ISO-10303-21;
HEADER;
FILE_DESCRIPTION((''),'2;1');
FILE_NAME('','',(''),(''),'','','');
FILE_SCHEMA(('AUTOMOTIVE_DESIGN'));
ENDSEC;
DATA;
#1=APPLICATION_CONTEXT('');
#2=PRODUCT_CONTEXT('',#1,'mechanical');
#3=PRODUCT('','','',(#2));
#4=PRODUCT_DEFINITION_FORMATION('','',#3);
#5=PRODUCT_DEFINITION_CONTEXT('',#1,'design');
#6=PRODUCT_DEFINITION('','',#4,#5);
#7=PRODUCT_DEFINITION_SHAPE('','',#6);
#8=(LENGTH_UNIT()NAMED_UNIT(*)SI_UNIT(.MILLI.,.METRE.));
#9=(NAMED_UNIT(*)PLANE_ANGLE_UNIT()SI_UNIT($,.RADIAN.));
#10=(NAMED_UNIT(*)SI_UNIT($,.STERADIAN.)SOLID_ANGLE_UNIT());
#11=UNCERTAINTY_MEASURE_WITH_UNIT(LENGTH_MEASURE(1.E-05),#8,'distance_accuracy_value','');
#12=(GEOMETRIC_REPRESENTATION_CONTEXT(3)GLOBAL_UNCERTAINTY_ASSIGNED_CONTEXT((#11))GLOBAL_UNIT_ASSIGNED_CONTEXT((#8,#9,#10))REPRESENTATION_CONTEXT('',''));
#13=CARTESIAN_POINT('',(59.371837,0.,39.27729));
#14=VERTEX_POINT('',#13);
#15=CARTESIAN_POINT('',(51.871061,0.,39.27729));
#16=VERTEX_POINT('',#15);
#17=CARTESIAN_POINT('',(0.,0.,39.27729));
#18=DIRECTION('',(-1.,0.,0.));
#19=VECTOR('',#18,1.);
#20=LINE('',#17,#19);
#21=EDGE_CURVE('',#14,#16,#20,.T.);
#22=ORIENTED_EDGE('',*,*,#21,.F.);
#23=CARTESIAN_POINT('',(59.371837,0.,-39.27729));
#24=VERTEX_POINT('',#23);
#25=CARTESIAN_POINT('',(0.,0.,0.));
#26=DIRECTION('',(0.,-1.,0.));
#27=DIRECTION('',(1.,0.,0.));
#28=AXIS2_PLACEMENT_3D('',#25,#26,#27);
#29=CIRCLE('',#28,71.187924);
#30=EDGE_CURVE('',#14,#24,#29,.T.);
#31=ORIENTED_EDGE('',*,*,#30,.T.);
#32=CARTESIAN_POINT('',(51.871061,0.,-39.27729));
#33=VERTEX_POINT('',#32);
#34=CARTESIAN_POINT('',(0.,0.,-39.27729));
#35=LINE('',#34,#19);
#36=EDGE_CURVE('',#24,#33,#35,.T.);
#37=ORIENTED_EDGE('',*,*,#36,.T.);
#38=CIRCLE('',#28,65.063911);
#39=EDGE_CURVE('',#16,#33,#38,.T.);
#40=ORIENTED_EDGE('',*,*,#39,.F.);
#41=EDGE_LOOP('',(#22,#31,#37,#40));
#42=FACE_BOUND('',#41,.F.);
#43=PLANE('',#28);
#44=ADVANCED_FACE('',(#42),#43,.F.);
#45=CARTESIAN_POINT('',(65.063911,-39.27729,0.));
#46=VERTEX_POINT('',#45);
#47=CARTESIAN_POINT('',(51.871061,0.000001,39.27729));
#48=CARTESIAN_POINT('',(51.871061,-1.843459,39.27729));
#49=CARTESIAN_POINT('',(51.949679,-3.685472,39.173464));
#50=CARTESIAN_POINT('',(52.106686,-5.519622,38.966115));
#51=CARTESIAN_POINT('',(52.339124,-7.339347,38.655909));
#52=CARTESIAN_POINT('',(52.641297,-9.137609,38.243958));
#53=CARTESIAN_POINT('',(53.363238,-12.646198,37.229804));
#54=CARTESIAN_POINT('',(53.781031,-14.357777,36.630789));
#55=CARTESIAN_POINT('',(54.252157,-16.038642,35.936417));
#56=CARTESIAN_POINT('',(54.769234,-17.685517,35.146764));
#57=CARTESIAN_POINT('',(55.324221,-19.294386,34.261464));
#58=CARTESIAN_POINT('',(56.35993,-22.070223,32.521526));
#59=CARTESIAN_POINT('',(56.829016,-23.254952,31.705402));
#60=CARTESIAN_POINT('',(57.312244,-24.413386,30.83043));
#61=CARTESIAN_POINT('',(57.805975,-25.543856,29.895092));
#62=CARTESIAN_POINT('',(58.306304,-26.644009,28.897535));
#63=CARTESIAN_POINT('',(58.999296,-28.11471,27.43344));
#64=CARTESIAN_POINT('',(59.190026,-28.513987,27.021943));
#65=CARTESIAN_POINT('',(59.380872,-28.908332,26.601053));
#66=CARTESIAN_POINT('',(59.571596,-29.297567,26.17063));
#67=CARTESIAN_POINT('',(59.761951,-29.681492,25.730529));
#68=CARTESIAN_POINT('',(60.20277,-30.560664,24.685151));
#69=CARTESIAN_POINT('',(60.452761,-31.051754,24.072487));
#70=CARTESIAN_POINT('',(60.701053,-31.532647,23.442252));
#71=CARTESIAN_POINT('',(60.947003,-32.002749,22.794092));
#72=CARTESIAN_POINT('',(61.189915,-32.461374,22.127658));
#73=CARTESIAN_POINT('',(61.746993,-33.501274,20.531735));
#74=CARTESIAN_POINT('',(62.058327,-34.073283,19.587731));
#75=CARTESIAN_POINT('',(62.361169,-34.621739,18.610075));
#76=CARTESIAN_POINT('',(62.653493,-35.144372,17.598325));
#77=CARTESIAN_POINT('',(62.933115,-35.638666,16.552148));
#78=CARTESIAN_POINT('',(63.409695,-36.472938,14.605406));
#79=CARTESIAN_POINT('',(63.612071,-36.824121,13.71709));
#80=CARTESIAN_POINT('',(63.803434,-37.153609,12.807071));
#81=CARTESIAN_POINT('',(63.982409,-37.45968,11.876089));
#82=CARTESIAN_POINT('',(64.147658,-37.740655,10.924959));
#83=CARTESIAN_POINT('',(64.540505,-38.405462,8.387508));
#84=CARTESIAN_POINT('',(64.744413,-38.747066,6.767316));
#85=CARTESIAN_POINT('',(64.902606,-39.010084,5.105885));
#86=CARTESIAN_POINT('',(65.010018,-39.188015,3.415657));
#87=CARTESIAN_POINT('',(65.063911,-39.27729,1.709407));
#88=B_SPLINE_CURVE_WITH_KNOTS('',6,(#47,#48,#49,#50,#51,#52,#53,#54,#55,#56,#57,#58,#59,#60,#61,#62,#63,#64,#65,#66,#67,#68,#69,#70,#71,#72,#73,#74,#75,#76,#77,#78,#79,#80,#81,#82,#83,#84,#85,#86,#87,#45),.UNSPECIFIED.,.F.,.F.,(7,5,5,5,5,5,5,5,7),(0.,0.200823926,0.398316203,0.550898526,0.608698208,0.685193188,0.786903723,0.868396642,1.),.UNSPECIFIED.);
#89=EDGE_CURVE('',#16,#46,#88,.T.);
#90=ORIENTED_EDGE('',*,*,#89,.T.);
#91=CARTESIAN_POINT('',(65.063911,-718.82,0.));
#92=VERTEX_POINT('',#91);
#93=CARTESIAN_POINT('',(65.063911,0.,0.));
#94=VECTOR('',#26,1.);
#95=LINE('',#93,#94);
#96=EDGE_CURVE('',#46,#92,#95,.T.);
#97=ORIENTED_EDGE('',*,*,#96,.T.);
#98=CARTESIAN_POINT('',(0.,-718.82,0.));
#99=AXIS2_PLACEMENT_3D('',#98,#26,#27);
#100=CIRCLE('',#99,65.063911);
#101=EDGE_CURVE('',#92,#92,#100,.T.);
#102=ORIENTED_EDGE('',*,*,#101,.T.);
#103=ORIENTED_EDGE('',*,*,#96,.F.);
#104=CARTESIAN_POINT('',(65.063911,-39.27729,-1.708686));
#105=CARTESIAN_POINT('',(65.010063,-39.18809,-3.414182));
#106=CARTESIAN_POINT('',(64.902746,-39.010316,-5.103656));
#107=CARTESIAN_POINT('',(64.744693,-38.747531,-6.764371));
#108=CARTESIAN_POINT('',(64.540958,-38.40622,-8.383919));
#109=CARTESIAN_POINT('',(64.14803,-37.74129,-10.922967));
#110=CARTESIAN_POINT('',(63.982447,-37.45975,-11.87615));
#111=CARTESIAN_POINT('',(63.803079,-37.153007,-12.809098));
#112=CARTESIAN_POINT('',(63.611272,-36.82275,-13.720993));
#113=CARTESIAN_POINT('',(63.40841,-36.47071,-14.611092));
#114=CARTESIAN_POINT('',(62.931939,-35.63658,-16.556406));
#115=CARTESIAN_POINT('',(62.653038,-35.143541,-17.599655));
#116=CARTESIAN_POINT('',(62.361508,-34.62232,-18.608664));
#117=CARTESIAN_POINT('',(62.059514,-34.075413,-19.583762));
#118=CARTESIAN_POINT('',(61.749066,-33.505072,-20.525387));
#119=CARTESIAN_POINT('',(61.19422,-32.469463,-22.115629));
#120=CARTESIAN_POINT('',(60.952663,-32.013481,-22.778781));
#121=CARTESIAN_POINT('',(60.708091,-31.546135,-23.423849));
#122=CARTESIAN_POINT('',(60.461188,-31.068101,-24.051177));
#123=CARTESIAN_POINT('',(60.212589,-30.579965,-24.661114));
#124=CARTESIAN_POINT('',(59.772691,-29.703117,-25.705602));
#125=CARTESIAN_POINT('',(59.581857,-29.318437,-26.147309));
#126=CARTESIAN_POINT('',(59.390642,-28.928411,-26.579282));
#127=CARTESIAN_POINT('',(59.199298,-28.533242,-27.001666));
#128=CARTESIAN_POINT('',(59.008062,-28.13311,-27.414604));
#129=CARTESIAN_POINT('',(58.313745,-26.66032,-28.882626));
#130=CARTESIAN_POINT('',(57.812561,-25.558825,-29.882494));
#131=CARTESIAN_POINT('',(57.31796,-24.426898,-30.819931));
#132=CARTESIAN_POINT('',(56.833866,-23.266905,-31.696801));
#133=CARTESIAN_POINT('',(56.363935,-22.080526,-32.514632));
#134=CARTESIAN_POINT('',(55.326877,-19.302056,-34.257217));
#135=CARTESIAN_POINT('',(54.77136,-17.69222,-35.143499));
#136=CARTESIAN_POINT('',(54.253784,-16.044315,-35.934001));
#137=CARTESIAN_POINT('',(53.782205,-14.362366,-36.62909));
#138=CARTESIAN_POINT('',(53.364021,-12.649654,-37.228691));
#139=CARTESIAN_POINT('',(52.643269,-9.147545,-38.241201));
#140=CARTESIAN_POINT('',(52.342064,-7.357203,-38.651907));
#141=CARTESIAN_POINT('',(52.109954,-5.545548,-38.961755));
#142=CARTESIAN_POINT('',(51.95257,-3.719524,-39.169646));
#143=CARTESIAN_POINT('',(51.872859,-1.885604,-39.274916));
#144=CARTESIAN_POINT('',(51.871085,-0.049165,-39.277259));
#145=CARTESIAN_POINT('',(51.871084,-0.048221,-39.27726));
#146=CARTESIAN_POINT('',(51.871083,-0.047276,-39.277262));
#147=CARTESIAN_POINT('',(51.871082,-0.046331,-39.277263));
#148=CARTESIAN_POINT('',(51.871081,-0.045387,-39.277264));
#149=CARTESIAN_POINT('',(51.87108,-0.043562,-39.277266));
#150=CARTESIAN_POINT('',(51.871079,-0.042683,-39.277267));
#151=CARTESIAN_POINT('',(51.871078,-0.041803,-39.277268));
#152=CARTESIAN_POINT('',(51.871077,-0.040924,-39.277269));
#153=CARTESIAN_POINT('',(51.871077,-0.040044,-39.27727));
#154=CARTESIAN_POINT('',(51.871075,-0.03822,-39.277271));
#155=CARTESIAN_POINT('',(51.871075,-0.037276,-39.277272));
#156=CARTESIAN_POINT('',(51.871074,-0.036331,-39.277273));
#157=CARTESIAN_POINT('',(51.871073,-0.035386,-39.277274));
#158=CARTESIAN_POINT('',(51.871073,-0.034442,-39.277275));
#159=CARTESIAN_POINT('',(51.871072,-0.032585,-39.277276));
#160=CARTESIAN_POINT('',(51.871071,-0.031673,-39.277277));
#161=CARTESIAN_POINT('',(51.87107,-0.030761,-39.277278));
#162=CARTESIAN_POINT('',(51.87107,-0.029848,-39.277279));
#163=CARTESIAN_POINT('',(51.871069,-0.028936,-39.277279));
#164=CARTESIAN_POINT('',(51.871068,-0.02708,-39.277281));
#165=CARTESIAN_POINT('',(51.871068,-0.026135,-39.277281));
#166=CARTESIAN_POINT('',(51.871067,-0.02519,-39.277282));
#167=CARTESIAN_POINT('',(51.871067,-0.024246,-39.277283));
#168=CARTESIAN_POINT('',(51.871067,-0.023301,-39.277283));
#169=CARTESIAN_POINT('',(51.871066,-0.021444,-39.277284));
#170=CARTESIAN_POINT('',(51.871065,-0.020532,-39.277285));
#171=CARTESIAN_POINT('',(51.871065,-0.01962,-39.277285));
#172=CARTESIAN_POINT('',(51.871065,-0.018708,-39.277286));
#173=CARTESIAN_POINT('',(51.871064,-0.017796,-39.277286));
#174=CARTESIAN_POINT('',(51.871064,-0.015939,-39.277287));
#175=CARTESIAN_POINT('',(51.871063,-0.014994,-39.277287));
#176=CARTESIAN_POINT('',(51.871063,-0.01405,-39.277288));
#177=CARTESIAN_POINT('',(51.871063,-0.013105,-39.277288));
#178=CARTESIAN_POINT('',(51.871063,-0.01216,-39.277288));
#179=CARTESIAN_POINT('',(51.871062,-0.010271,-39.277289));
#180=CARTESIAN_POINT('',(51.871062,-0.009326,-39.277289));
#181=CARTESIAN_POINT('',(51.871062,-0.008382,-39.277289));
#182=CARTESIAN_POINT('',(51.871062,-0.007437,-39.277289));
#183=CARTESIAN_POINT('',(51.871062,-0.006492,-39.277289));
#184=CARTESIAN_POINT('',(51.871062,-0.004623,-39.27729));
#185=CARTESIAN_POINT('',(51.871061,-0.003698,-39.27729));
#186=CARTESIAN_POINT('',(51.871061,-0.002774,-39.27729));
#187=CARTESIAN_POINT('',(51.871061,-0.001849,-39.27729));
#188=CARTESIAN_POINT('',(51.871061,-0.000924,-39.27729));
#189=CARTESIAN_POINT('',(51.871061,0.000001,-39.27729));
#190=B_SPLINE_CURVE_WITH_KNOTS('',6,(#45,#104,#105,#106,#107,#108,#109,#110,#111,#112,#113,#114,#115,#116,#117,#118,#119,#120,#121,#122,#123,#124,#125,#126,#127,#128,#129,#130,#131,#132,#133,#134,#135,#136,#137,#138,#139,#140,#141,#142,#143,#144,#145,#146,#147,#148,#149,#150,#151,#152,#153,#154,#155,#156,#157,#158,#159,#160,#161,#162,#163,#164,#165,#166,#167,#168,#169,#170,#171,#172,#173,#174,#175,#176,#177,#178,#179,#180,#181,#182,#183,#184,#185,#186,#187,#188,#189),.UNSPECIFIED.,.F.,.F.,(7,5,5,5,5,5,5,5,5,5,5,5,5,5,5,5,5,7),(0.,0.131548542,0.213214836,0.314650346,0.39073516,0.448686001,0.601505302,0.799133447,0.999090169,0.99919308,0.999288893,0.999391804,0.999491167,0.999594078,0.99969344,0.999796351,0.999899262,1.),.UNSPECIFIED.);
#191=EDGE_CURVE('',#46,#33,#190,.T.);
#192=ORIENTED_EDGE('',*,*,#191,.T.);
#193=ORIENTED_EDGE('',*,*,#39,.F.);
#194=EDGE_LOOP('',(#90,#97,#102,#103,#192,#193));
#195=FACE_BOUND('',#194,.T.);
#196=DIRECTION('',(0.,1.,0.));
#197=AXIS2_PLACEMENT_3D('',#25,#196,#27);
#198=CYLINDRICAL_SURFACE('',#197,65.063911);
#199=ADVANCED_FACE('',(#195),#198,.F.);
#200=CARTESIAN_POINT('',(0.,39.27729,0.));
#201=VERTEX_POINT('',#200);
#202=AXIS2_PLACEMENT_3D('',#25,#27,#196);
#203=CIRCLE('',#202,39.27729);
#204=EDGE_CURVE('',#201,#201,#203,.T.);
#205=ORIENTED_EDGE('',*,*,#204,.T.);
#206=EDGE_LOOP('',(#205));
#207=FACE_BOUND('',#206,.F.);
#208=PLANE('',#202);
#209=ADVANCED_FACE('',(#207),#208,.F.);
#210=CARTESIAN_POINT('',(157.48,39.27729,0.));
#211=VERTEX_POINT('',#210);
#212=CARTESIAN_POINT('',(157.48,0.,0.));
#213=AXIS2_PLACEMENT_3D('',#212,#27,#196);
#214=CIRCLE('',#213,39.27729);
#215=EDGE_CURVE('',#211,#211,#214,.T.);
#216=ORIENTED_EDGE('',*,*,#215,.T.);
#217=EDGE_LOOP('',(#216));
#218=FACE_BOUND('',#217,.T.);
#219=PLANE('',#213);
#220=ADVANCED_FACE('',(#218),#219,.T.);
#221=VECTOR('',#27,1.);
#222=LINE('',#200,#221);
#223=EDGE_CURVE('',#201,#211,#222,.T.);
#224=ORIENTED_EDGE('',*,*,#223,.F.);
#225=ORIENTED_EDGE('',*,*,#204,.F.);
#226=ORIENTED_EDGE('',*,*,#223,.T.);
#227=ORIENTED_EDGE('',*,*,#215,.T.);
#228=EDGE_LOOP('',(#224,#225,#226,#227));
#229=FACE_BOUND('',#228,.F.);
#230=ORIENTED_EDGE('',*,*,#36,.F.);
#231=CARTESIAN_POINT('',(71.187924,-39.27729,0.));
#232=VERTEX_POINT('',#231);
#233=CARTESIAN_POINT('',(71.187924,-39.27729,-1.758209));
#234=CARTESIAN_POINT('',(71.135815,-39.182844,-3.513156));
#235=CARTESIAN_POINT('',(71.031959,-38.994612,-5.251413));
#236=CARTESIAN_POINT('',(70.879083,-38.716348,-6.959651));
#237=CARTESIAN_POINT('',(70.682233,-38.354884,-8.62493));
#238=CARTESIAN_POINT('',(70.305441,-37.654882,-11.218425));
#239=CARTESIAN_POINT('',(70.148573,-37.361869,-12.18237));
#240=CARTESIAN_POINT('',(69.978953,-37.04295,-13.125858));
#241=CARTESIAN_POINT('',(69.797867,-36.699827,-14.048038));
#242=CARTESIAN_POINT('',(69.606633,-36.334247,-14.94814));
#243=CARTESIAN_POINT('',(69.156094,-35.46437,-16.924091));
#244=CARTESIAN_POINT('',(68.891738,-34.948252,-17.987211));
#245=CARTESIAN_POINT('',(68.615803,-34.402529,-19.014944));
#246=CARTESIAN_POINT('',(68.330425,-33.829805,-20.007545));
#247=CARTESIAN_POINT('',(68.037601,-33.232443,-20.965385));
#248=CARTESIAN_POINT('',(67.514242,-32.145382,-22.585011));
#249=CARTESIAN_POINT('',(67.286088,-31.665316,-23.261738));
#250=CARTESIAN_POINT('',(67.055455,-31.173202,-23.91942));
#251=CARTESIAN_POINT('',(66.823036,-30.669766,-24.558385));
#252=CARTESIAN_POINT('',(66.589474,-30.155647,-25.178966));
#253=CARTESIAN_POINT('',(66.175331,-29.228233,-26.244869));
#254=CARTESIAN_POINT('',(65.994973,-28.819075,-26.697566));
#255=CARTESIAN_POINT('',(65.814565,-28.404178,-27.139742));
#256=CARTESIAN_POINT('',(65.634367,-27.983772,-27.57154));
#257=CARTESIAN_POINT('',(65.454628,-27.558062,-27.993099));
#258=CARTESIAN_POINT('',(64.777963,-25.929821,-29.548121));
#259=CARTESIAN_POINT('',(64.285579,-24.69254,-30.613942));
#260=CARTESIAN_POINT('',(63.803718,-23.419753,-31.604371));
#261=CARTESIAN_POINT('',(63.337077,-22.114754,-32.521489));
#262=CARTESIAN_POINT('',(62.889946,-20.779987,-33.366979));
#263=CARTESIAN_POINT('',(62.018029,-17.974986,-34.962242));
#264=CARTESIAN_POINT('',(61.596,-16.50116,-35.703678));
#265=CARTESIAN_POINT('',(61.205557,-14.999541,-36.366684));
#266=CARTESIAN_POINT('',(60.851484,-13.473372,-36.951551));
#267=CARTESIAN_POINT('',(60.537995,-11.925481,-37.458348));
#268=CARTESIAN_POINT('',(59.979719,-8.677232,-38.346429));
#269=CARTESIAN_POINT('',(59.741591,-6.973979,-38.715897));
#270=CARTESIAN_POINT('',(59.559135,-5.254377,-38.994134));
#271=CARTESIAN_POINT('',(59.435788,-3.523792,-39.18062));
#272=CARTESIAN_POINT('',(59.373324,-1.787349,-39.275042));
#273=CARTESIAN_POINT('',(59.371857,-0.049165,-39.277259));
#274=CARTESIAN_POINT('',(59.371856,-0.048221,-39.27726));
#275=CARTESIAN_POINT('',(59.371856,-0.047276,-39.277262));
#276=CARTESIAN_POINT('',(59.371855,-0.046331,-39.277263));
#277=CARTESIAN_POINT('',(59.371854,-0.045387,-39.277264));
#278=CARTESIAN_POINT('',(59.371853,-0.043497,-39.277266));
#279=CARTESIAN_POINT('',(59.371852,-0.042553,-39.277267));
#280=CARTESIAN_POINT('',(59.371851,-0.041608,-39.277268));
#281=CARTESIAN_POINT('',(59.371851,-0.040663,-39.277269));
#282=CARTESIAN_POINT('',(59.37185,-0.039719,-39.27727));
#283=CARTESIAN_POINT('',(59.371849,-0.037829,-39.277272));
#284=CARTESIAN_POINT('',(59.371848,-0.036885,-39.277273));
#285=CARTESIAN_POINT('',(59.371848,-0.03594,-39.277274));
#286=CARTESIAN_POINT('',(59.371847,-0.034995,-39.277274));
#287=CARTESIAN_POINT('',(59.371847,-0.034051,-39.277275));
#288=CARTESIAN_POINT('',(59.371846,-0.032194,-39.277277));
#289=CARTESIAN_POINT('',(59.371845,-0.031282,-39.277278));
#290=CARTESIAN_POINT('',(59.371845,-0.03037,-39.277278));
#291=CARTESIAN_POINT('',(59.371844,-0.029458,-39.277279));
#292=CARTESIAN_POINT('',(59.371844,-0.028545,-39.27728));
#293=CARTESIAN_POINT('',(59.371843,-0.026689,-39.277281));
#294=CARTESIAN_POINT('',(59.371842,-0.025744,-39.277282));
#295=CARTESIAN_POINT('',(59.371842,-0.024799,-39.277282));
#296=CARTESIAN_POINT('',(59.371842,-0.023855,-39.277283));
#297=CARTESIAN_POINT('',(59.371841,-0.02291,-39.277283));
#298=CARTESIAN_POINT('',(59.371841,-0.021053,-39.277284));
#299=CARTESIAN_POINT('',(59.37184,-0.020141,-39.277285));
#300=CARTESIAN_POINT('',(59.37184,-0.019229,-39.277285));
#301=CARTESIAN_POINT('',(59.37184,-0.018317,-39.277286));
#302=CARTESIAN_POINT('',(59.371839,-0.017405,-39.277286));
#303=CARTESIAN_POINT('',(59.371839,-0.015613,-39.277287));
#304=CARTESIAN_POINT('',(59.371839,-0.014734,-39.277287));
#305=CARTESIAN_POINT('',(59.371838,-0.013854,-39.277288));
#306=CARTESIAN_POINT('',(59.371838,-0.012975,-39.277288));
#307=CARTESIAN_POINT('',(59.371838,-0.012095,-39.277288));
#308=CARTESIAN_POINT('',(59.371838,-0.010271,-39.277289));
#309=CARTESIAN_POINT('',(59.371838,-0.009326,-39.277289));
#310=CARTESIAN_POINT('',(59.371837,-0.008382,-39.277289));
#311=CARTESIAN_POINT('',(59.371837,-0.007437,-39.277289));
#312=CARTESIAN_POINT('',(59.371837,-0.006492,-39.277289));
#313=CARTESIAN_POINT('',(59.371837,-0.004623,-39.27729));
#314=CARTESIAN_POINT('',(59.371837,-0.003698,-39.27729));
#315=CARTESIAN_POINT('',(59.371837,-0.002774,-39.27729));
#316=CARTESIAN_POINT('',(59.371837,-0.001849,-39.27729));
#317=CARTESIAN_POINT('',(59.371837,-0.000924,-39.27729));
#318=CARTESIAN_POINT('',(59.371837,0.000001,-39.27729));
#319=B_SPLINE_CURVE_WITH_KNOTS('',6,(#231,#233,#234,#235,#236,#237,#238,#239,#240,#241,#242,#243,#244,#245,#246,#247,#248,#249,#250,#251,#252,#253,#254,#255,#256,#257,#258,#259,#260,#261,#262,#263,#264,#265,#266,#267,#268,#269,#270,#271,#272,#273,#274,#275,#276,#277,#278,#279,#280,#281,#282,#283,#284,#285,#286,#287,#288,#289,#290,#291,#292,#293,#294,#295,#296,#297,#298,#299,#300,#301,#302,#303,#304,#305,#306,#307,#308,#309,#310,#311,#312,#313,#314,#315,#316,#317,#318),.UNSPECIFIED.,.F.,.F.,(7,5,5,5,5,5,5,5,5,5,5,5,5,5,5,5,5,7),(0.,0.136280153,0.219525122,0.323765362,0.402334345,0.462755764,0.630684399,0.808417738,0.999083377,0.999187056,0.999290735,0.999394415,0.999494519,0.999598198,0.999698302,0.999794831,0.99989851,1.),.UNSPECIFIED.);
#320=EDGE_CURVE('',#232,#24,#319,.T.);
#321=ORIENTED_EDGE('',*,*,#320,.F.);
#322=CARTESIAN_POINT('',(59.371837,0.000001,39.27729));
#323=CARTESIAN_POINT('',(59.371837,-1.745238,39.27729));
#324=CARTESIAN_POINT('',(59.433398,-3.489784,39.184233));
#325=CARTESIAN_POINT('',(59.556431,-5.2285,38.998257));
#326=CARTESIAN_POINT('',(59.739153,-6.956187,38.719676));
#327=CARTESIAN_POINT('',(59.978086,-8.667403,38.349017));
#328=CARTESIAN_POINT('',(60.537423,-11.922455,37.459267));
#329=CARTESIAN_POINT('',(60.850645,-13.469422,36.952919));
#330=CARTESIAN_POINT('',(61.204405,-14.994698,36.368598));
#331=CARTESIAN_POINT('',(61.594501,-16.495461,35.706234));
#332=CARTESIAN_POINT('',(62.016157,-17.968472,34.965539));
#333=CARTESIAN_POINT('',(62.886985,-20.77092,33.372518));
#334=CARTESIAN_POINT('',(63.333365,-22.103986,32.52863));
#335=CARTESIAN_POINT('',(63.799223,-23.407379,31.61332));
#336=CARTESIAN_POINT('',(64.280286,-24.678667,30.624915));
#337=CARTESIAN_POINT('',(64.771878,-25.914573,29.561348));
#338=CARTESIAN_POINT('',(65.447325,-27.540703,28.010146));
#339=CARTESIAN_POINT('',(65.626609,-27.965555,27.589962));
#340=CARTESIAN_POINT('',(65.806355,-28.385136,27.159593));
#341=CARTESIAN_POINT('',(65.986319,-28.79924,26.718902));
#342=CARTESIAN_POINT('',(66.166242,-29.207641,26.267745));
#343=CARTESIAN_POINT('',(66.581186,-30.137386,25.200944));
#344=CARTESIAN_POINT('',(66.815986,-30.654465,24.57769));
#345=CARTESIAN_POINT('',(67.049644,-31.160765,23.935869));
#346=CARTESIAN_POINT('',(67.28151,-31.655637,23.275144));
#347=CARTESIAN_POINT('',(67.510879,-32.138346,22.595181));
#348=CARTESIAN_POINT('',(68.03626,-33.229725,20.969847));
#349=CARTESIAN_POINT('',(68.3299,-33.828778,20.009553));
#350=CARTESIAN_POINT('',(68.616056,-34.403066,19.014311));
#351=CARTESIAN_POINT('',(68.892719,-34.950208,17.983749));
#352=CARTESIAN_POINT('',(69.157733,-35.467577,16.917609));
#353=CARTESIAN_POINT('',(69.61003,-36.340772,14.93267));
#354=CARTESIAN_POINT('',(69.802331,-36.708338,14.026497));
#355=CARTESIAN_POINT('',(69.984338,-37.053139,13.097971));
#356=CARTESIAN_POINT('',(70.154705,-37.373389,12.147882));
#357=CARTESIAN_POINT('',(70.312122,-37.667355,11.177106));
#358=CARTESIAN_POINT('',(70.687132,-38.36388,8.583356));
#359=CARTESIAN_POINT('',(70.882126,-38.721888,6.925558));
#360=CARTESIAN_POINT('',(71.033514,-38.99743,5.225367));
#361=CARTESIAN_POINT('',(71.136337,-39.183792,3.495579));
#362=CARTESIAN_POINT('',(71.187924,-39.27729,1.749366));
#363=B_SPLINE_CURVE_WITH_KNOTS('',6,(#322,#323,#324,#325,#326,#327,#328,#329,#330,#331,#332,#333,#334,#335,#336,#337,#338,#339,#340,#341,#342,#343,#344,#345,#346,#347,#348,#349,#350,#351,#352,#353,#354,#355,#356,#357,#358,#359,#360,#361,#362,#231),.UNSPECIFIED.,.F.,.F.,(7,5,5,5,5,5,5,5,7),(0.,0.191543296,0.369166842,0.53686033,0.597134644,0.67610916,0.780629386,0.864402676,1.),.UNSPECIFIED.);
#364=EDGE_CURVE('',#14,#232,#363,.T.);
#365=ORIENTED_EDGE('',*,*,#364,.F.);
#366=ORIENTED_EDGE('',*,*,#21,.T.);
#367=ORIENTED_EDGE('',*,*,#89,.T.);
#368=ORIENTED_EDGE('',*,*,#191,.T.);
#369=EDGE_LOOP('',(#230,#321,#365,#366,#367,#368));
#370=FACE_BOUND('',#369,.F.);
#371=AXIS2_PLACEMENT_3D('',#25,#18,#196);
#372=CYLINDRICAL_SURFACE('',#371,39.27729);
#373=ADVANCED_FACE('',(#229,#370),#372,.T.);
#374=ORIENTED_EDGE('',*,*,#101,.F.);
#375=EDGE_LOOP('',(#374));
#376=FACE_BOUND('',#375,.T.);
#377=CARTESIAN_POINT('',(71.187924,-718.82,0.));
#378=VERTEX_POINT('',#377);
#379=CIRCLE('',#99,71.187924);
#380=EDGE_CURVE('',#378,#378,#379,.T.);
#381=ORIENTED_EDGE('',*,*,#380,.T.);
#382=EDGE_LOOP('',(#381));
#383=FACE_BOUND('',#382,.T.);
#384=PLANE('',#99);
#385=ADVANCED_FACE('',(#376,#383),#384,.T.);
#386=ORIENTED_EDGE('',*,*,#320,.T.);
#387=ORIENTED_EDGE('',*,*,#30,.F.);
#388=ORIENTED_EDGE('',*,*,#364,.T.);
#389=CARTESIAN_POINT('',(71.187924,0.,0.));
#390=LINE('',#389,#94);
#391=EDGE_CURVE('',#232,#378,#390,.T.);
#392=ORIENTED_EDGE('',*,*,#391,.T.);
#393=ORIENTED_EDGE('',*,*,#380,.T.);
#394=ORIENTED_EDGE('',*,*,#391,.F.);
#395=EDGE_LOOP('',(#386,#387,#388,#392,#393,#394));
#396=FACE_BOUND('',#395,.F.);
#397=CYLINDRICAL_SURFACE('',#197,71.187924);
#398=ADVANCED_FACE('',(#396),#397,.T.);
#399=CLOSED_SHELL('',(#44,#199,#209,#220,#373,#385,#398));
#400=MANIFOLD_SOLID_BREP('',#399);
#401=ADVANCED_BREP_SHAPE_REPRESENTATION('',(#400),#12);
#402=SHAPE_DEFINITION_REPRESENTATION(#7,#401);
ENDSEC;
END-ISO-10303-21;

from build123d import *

# Parameters (mm, degrees)
F0_R     = 71.187924
F0_R_2   = 65.063911
F1_DEPTH = 718.82
F2_R     = 39.27729
F2_R_2   = 26.178049
F3_DEPTH = 157.48


with BuildPart() as f1:
    # F0 (on Front) → F1 (new body)
    with BuildSketch(Plane.XZ):
        Circle(F0_R)
        Circle(F0_R_2, mode=Mode.SUBTRACT)
    extrude(amount=F1_DEPTH)

    # F2 (on Right) → F3 (join)
    with BuildSketch(Plane.YZ):
        Circle(F2_R)
        Circle(F2_R_2, mode=Mode.SUBTRACT)
        Circle(F2_R_2)
    extrude(amount=F3_DEPTH)


solid = f1.part
